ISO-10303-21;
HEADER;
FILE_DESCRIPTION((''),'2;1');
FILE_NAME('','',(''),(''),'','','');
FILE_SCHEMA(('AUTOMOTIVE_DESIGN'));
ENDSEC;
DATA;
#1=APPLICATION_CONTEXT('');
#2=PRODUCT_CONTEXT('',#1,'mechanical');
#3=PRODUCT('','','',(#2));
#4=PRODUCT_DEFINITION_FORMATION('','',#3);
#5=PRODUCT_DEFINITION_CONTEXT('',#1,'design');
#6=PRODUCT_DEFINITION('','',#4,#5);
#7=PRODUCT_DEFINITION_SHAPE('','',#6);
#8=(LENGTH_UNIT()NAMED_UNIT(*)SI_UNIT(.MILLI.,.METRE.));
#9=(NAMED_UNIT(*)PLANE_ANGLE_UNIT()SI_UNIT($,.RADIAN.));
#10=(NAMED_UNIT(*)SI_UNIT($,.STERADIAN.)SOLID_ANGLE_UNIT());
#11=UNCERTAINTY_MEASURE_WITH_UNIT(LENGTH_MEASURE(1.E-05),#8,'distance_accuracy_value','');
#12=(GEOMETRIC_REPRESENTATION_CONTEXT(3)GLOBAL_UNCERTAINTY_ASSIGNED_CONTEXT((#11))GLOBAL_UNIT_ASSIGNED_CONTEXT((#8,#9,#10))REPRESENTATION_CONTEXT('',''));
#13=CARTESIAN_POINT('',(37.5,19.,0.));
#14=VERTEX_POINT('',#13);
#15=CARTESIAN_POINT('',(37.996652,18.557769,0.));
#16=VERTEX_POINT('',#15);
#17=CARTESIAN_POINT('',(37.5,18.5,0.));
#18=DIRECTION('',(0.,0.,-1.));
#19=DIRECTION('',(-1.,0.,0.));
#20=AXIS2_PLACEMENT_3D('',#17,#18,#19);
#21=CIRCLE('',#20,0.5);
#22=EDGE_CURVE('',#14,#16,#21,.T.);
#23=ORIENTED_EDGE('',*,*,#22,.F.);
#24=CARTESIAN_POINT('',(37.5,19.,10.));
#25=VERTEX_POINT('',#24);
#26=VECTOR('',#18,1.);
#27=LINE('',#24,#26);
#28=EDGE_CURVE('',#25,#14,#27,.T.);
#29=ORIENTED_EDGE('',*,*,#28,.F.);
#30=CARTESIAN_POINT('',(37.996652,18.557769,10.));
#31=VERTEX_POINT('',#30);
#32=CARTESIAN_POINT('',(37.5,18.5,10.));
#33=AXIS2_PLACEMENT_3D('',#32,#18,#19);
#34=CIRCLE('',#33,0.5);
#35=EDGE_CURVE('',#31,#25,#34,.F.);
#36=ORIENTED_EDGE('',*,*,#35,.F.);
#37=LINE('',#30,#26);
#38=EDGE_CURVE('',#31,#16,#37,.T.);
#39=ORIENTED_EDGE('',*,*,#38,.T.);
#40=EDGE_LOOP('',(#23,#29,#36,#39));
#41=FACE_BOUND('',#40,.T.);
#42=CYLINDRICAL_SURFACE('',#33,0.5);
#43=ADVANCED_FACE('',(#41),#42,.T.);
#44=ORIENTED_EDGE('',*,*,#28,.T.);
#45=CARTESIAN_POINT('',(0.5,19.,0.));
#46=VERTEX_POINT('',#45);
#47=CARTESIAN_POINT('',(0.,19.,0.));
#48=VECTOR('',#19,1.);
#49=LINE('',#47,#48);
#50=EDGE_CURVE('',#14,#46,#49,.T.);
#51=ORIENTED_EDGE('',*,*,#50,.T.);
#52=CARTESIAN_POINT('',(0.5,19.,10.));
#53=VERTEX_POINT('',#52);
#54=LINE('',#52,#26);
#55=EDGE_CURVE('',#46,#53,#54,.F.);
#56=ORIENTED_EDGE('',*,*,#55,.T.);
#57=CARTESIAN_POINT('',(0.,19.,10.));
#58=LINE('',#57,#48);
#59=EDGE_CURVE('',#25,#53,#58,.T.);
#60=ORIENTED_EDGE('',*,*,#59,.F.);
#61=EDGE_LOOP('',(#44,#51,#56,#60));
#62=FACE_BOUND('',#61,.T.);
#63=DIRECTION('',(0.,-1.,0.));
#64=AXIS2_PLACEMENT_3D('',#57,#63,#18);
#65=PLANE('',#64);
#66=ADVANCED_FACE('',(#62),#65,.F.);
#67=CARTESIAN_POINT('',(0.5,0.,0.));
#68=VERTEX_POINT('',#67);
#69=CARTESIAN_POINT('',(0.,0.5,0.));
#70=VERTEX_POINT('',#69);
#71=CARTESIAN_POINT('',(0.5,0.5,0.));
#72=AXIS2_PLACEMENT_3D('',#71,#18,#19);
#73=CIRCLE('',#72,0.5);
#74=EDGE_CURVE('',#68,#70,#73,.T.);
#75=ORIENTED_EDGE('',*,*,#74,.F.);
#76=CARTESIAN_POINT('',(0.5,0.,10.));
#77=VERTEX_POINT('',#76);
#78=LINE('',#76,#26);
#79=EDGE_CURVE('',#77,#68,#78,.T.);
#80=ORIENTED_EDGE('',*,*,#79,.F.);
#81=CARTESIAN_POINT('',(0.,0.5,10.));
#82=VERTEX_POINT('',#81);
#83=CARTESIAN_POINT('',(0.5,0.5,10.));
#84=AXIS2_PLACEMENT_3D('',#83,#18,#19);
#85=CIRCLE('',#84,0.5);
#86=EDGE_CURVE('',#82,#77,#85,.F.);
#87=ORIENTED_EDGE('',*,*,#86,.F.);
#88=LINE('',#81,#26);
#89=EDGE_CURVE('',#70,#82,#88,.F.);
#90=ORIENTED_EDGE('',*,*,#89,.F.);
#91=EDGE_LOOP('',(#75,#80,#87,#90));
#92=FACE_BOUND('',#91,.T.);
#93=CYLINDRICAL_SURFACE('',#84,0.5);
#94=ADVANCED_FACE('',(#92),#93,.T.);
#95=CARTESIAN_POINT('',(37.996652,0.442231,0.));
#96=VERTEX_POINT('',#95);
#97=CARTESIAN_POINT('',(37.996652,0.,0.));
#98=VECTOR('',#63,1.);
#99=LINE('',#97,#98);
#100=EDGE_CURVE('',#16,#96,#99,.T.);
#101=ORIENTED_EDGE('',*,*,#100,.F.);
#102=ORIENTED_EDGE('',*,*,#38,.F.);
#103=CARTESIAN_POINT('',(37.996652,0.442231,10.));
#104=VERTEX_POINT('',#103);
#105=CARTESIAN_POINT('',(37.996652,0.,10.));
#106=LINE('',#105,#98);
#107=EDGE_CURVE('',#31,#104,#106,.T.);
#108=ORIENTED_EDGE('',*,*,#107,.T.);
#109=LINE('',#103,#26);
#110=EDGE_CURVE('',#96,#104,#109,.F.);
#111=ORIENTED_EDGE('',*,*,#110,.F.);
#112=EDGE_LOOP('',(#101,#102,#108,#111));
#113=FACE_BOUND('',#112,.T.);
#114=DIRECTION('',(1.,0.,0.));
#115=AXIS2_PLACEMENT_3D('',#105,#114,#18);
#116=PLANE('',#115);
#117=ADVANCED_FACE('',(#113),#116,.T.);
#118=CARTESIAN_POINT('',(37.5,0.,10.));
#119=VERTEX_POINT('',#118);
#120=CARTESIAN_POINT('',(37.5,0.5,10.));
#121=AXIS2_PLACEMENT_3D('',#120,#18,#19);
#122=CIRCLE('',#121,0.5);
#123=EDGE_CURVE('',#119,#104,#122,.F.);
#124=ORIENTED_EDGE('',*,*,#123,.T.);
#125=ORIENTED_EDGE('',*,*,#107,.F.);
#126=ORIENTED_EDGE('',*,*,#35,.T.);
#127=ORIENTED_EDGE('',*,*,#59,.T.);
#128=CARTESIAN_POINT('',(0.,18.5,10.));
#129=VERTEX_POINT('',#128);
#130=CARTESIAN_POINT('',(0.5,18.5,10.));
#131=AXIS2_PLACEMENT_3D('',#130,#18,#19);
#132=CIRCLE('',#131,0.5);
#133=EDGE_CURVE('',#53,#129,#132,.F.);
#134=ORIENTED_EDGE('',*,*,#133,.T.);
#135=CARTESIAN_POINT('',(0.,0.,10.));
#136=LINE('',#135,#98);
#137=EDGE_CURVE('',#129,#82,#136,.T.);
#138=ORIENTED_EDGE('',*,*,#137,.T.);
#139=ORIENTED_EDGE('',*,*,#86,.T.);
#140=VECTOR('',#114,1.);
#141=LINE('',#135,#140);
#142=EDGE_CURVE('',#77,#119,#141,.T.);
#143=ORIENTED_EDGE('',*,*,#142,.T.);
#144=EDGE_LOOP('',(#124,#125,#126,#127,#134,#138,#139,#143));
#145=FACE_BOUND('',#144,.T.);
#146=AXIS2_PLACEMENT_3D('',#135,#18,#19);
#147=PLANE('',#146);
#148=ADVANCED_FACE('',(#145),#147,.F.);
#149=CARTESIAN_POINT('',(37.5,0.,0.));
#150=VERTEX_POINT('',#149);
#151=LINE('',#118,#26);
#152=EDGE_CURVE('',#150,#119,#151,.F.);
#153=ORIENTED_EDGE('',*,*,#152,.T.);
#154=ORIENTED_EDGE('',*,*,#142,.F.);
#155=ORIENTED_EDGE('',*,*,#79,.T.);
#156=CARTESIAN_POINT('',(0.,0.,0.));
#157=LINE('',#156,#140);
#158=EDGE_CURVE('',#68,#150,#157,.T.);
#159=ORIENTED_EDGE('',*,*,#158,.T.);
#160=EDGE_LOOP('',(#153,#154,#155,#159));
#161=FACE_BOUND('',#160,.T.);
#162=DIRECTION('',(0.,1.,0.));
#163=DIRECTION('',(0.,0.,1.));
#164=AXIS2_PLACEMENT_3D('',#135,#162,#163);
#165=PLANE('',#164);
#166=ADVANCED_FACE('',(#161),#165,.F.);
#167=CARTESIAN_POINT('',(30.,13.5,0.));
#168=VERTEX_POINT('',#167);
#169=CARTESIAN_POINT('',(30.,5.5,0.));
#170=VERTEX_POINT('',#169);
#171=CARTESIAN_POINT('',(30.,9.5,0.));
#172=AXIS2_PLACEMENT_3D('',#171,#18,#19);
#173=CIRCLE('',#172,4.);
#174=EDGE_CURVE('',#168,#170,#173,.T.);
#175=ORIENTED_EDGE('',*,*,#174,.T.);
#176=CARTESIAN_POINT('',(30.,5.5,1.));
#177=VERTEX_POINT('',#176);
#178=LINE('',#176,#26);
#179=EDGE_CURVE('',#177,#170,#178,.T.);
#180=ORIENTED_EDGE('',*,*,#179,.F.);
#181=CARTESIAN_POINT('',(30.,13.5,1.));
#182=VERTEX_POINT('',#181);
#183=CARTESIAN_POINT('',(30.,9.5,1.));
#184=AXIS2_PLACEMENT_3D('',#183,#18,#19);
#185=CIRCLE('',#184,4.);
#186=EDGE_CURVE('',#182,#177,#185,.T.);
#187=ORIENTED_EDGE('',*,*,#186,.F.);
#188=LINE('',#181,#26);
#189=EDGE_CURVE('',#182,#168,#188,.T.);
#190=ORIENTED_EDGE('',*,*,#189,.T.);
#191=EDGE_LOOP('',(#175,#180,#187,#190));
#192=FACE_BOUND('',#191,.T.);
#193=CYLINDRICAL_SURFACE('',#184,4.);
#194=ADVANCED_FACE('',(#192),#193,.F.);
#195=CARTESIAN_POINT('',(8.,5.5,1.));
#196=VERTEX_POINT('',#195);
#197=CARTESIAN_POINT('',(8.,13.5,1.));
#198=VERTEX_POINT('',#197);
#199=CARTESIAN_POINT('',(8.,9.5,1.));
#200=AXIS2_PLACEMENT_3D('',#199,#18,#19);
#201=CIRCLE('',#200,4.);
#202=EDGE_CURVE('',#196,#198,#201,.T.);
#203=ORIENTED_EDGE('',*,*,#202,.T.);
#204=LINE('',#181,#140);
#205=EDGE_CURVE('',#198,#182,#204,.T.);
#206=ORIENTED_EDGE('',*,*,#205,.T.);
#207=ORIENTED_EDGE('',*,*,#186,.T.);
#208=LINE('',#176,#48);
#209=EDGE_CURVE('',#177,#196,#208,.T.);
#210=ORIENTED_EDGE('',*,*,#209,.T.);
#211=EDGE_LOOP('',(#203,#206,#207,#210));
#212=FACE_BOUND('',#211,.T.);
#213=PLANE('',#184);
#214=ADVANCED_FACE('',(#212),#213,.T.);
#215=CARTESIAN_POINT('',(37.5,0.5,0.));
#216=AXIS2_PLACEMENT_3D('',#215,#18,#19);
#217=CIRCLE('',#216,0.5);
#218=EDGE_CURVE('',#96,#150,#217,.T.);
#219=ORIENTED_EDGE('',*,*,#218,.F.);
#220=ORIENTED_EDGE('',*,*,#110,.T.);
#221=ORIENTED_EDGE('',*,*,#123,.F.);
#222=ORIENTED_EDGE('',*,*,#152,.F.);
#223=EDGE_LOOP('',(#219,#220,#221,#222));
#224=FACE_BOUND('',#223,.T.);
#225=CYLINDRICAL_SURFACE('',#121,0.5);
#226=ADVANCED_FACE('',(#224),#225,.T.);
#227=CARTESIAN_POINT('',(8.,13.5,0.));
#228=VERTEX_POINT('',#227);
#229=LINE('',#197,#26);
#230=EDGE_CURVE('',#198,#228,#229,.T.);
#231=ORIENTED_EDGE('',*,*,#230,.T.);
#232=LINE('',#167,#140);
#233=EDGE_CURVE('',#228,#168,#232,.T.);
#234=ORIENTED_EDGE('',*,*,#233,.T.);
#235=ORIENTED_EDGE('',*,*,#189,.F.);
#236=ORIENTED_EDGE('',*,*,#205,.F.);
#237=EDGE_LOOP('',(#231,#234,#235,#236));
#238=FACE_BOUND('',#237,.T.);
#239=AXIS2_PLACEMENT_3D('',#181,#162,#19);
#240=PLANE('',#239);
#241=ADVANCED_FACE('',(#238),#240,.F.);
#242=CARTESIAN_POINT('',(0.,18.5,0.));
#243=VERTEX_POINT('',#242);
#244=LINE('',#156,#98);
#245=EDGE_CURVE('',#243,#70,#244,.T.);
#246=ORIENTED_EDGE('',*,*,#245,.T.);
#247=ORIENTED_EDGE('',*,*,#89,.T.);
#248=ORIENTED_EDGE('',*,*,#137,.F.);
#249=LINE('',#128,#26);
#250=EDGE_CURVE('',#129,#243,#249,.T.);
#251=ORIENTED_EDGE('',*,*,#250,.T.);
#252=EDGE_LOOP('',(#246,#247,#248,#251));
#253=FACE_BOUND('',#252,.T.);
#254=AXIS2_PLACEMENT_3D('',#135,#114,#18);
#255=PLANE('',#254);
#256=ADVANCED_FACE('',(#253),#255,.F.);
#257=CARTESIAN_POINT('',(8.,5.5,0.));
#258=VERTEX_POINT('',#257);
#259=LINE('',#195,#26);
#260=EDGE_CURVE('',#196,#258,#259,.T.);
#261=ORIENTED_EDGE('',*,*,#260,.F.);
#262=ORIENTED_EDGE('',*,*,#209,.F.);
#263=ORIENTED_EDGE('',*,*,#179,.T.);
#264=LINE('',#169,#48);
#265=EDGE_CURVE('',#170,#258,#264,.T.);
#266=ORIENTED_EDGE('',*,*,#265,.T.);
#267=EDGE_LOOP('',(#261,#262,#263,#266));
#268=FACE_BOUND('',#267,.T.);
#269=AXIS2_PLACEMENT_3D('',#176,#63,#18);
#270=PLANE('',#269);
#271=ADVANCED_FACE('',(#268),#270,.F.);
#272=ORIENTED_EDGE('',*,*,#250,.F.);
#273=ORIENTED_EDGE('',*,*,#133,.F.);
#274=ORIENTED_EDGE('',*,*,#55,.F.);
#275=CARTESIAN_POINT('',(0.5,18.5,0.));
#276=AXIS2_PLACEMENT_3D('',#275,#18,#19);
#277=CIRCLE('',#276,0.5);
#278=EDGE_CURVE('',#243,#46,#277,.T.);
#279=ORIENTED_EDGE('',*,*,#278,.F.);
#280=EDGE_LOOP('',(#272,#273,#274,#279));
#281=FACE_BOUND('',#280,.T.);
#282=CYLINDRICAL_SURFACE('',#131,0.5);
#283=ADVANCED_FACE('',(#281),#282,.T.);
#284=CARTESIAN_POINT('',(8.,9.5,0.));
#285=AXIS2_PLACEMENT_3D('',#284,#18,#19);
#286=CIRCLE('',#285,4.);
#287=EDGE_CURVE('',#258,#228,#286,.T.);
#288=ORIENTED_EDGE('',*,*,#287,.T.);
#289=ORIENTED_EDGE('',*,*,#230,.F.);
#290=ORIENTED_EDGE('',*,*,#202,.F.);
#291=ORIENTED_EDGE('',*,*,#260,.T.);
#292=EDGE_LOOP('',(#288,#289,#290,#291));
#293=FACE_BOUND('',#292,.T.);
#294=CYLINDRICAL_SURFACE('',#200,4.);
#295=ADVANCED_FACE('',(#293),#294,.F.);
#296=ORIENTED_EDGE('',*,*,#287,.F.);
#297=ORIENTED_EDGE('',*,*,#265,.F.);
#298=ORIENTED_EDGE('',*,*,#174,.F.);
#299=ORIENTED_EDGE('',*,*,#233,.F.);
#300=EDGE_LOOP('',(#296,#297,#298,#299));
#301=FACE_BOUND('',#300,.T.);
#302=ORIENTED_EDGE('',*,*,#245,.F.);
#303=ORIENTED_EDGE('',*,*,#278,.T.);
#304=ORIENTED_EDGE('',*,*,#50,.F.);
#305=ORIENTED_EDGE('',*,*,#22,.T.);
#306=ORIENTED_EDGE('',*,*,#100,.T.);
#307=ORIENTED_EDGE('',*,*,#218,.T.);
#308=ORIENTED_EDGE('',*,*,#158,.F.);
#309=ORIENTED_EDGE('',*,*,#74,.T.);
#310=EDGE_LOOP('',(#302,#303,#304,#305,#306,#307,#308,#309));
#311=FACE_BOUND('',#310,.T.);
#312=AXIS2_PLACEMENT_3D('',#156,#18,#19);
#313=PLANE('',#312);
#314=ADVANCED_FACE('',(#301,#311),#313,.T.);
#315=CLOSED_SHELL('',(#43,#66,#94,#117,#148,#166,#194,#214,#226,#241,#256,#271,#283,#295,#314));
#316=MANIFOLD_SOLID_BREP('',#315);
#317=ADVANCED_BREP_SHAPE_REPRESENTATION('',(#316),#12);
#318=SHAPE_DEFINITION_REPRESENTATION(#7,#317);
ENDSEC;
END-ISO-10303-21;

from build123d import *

# Parameters (mm, degrees)
SKETCH_1_W          = 38
SKETCH_1_H          = 19
EXTRUDE_1_DEPTH     = 10
SKETCH_2_W          = 1.5
SKETCH_2_H          = 9
EXTRUDE_2_DEPTH     = 9
SKETCH_3_R          = 1.5
CUT_EXTRUDE_1_DEPTH = 52.322509681
FILLET_2_R          = 0.5
CUT_EXTRUDE_2_DEPTH = 1
SKETCH_5_W          = 59.581818612
SKETCH_5_H          = 24.32156281
SKETCH_5_W_2        = 37.996651515
SKETCH_5_H_2        = 19
CUT_EXTRUDE_3_DEPTH = 52.672042731


with BuildPart() as part:
    # 草图1 → 凸台-拉伸1 (new body)
    with BuildSketch(Plane.XY):
        with Locations((19, 9.5)):
            Rectangle(SKETCH_1_W, SKETCH_1_H)
    extrude(amount=EXTRUDE_1_DEPTH)

    # 草图2 → 凸台-拉伸2 (add)
    with BuildSketch(Plane(origin=(38, 0, 0), x_dir=(0, 0, -1), z_dir=(1, 0, 0))):
        with Locations((-2.75, 9.5)):
            Rectangle(SKETCH_2_W, SKETCH_2_H)
    extrude_2 = extrude(amount=EXTRUDE_2_DEPTH)

    # 草图3 → 切除-拉伸1 (cut, through all)
    with BuildSketch(Plane(origin=(0, 0, 2), x_dir=(-1, 0, 0), z_dir=(0, 0, -1))):
        with Locations((-42.5, 9.5)):
            Circle(SKETCH_3_R)
    cut_extrude_1 = extrude(amount=-CUT_EXTRUDE_1_DEPTH, mode=Mode.SUBTRACT)

    # 镜向3: 凸台-拉伸2, 切除-拉伸1 across plane
    add(extrude_2.mirror(Plane(origin=(19, 0, 0), x_dir=(0, 0, 1), z_dir=(1, 0, 0))))
    add(cut_extrude_1.mirror(Plane(origin=(19, 0, 0), x_dir=(0, 0, 1), z_dir=(1, 0, 0))), mode=Mode.SUBTRACT)

    # 圆角2
    fillet_2_edges = [part.edges().sort_by_distance(p)[0] for p in [
        (38, 5, 2.75),
        (38, 14, 2.75),
        (47, 5, 2.75),
        (47, 14, 2.75),
        (-9, 14, 2.75),
        (-9, 5, 2.75),
        (0, 5, 2.75),
        (0, 14, 2.75),
        (0, 19, 5),
        (38, 19, 5),
        (38, 0, 5),
        (0, 0, 5),
    ]]
    fillet(fillet_2_edges, radius=FILLET_2_R)

    # 草图4 → 切除-拉伸2 (cut)
    with BuildSketch(Plane(origin=(0, 0, 0), x_dir=(-1, 0, 0), z_dir=(0, 0, -1))):
        with BuildLine():
            Line((-30, 13.5), (-8, 13.5))
            ThreePointArc((-8, 13.5), (-4, 9.5), (-8, 5.5))
            Line((-8, 5.5), (-30, 5.5))
            ThreePointArc((-30, 5.5), (-34, 9.5), (-30, 13.5))
        make_face()
    extrude(amount=-CUT_EXTRUDE_2_DEPTH, mode=Mode.SUBTRACT)

    # 草图5 → 切除-拉伸3 (cut, through all)
    with BuildSketch(Plane(origin=(0, 0, 0), x_dir=(-1, 0, 0), z_dir=(0, 0, -1))):
        with Locations((-19.067430593, 9.084908835)):
            Rectangle(SKETCH_5_W, SKETCH_5_H)
        with Locations((-18.998325758, 9.5)):
            Rectangle(SKETCH_5_W_2, SKETCH_5_H_2, mode=Mode.SUBTRACT)
    extrude(amount=-CUT_EXTRUDE_3_DEPTH, mode=Mode.SUBTRACT)


solid = part.part
